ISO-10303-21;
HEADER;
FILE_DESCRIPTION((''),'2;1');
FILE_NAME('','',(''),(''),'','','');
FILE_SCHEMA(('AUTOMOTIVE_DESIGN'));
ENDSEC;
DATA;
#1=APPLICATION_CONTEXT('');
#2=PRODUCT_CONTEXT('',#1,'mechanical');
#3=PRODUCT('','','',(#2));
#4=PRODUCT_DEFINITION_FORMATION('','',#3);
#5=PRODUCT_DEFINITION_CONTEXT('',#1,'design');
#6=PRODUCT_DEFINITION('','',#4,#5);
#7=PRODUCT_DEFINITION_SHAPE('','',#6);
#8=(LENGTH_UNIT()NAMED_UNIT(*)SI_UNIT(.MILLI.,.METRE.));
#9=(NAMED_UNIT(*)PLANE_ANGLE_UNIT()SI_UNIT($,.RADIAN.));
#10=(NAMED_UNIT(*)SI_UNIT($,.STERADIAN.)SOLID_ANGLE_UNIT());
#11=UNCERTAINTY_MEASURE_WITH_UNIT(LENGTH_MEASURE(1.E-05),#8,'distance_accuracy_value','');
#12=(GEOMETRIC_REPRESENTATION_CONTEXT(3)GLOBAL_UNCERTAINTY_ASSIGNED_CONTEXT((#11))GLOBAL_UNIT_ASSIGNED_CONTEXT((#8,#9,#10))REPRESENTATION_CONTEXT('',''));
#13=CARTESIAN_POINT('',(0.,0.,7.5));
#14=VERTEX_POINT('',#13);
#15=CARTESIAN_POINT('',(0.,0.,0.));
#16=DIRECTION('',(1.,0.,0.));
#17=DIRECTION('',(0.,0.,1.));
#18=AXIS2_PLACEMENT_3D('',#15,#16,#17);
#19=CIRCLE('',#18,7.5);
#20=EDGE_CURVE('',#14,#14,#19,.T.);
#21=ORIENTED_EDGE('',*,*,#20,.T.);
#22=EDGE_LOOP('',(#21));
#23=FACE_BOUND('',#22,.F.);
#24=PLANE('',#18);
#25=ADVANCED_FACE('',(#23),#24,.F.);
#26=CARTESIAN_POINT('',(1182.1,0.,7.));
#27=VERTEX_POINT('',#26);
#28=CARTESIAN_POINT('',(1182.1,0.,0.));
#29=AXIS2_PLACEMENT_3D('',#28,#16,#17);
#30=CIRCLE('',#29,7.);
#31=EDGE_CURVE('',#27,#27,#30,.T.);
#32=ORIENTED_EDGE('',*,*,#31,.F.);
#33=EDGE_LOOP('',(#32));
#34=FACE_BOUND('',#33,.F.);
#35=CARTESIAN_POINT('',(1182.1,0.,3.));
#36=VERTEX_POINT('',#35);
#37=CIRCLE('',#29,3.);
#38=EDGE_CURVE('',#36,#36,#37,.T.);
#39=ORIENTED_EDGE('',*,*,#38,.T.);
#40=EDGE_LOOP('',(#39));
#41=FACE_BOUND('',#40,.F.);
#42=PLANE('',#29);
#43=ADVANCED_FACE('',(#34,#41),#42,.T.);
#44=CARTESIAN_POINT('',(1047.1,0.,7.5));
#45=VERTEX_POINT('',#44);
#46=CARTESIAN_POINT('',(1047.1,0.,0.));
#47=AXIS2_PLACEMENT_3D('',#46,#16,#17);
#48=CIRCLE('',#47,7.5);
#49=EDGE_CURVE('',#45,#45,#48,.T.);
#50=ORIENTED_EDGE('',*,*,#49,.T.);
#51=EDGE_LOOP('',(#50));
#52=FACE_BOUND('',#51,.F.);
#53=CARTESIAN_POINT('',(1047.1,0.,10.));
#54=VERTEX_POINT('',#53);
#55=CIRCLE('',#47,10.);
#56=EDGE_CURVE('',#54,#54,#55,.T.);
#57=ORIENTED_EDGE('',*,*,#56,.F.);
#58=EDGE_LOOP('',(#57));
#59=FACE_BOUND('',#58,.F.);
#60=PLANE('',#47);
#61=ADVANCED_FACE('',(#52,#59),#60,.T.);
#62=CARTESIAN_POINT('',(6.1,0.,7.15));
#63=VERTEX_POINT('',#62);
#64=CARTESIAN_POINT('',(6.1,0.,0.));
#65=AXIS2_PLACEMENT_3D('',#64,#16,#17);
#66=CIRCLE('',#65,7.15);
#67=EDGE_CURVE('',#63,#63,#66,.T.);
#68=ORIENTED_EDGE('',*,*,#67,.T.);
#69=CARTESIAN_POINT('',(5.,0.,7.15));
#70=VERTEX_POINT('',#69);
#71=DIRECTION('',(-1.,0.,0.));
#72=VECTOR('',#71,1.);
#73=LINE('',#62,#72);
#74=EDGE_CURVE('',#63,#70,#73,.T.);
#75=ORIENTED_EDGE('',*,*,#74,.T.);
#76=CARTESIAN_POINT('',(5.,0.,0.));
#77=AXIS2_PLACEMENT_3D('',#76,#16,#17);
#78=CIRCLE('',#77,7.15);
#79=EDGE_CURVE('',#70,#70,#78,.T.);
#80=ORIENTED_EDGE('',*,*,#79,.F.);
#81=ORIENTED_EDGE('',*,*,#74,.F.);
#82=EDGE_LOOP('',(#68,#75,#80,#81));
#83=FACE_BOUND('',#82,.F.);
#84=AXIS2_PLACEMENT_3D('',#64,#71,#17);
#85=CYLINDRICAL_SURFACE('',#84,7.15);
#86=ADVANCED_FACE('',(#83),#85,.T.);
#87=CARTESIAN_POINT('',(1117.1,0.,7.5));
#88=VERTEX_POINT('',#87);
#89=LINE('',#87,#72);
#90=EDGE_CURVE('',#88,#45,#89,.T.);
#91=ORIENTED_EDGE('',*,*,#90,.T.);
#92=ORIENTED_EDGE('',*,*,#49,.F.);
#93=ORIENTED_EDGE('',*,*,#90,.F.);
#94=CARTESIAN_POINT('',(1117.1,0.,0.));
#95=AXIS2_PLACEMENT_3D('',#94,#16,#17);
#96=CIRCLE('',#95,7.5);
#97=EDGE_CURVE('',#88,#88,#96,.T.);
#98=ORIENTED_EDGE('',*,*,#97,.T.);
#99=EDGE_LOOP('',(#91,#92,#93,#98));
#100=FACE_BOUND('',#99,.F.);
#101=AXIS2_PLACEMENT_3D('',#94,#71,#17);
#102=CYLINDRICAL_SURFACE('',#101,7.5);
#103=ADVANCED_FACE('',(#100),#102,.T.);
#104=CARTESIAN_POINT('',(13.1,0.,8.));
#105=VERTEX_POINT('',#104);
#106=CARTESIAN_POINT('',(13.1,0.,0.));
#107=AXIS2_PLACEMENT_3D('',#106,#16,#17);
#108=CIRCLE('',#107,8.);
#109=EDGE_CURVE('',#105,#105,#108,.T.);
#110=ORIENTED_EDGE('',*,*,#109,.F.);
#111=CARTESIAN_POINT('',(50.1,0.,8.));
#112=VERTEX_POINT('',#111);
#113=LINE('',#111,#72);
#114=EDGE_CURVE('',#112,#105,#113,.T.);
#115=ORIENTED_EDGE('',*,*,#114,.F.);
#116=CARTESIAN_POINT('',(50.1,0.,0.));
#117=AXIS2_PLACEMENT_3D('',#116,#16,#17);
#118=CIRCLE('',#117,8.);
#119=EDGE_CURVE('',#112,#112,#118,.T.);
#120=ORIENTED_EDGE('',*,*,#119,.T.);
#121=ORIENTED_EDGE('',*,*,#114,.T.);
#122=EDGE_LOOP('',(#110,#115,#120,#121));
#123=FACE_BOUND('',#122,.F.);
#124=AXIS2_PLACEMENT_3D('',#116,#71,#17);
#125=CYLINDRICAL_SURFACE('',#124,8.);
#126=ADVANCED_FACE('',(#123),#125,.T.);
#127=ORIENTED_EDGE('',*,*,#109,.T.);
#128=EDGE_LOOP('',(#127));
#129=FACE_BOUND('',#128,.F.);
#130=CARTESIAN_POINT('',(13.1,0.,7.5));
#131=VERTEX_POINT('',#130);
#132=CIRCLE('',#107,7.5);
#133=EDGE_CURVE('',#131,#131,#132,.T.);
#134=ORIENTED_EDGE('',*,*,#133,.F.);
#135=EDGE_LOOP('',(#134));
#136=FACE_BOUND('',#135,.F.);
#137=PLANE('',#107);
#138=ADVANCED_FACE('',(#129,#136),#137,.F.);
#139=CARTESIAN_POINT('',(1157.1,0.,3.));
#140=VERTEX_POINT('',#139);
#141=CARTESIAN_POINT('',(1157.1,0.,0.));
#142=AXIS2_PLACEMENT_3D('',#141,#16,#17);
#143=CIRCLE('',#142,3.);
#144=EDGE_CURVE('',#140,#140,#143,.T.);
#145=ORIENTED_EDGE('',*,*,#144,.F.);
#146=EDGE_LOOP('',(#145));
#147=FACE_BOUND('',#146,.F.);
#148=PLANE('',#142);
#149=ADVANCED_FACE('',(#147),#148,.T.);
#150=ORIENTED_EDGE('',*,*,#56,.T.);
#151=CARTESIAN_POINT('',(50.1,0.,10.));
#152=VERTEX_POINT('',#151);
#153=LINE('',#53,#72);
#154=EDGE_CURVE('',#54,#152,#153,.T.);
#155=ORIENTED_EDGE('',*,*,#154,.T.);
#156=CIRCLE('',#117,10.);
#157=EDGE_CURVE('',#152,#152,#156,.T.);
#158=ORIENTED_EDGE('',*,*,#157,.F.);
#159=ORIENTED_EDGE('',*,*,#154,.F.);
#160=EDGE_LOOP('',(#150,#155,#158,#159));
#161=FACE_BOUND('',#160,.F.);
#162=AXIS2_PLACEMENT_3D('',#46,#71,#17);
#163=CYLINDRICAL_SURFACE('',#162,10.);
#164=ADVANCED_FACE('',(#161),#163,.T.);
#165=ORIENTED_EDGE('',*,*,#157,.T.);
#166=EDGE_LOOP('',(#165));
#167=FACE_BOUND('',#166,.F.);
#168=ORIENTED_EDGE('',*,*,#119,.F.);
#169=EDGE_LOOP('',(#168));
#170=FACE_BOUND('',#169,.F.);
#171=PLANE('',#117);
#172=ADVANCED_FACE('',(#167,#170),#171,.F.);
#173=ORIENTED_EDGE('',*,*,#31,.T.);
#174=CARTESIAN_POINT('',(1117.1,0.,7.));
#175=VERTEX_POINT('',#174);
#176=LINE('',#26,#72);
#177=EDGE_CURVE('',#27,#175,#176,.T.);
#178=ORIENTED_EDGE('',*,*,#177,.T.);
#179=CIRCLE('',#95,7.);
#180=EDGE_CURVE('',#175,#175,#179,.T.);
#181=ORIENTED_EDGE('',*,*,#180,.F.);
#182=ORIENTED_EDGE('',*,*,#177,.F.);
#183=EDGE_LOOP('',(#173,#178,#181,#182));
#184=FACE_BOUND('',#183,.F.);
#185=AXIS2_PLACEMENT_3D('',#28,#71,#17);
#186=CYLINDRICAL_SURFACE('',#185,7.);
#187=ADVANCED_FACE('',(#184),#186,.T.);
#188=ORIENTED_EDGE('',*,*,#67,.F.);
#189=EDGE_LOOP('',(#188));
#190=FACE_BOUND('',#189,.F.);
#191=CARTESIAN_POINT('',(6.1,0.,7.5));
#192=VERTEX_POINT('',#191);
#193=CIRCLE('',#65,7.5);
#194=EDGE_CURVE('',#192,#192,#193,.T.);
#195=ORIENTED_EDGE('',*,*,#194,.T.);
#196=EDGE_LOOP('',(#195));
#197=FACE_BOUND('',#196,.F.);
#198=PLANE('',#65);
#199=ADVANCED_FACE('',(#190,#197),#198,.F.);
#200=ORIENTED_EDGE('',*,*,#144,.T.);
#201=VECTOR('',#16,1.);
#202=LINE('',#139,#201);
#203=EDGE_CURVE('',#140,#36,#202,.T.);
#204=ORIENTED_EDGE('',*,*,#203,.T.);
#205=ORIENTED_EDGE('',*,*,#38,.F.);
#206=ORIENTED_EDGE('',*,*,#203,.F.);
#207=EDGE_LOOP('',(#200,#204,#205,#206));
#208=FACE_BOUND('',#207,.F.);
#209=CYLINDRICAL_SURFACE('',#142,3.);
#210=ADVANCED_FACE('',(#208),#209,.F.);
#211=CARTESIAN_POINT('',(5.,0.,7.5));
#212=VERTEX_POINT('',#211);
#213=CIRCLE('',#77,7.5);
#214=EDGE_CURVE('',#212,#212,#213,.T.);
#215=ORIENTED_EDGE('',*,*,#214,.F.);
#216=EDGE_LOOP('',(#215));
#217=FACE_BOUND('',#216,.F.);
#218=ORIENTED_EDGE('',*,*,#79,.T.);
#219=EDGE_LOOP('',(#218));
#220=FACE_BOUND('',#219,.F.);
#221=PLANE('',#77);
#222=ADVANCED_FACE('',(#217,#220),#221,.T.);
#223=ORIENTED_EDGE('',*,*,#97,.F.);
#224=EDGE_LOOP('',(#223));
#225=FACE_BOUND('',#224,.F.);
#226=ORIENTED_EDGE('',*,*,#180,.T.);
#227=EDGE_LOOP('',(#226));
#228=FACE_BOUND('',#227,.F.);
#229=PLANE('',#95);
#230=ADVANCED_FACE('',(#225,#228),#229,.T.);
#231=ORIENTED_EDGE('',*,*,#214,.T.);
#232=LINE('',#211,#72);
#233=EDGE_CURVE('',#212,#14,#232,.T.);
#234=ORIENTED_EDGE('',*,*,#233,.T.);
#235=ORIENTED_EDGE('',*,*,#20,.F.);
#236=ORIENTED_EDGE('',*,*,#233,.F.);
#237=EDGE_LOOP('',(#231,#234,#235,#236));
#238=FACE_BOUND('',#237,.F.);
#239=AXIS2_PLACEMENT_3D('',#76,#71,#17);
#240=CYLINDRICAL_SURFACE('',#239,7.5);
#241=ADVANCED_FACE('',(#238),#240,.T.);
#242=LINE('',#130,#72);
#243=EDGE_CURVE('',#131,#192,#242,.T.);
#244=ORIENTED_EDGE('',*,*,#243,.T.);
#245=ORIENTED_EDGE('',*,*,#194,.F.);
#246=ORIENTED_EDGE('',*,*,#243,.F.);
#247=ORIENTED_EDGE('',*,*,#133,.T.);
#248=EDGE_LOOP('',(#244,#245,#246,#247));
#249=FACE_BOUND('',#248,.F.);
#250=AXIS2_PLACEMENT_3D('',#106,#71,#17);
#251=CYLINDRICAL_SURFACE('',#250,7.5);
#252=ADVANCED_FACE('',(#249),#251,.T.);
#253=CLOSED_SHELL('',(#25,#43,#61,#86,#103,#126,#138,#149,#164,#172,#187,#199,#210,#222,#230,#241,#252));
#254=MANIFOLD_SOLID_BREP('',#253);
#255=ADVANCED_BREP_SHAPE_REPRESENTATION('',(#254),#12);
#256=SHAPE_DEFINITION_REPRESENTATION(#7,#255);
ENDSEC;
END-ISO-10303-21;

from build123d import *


with BuildPart() as f1:
    # F0 (on Front) → F1 (revolve)
    with BuildSketch(Plane.XZ):
        Polygon((0, 7.5), (0, 0), (1157.1, 0), (1157.1, 3), (1182.1, 3), (1182.1, 7), (1117.1, 7), (1117.1, 7.5), (1047.1, 7.5), (1047.1, 10), (50.1, 10), (50.1, 8), (13.1, 8), (13.1, 7.5), (6.1, 7.5), (6.1, 7.15), (5, 7.15), (5, 7.5), align=None)
    revolve(axis=Axis((578.55, 0, 0), (1, 0, 0)))


solid = f1.part
